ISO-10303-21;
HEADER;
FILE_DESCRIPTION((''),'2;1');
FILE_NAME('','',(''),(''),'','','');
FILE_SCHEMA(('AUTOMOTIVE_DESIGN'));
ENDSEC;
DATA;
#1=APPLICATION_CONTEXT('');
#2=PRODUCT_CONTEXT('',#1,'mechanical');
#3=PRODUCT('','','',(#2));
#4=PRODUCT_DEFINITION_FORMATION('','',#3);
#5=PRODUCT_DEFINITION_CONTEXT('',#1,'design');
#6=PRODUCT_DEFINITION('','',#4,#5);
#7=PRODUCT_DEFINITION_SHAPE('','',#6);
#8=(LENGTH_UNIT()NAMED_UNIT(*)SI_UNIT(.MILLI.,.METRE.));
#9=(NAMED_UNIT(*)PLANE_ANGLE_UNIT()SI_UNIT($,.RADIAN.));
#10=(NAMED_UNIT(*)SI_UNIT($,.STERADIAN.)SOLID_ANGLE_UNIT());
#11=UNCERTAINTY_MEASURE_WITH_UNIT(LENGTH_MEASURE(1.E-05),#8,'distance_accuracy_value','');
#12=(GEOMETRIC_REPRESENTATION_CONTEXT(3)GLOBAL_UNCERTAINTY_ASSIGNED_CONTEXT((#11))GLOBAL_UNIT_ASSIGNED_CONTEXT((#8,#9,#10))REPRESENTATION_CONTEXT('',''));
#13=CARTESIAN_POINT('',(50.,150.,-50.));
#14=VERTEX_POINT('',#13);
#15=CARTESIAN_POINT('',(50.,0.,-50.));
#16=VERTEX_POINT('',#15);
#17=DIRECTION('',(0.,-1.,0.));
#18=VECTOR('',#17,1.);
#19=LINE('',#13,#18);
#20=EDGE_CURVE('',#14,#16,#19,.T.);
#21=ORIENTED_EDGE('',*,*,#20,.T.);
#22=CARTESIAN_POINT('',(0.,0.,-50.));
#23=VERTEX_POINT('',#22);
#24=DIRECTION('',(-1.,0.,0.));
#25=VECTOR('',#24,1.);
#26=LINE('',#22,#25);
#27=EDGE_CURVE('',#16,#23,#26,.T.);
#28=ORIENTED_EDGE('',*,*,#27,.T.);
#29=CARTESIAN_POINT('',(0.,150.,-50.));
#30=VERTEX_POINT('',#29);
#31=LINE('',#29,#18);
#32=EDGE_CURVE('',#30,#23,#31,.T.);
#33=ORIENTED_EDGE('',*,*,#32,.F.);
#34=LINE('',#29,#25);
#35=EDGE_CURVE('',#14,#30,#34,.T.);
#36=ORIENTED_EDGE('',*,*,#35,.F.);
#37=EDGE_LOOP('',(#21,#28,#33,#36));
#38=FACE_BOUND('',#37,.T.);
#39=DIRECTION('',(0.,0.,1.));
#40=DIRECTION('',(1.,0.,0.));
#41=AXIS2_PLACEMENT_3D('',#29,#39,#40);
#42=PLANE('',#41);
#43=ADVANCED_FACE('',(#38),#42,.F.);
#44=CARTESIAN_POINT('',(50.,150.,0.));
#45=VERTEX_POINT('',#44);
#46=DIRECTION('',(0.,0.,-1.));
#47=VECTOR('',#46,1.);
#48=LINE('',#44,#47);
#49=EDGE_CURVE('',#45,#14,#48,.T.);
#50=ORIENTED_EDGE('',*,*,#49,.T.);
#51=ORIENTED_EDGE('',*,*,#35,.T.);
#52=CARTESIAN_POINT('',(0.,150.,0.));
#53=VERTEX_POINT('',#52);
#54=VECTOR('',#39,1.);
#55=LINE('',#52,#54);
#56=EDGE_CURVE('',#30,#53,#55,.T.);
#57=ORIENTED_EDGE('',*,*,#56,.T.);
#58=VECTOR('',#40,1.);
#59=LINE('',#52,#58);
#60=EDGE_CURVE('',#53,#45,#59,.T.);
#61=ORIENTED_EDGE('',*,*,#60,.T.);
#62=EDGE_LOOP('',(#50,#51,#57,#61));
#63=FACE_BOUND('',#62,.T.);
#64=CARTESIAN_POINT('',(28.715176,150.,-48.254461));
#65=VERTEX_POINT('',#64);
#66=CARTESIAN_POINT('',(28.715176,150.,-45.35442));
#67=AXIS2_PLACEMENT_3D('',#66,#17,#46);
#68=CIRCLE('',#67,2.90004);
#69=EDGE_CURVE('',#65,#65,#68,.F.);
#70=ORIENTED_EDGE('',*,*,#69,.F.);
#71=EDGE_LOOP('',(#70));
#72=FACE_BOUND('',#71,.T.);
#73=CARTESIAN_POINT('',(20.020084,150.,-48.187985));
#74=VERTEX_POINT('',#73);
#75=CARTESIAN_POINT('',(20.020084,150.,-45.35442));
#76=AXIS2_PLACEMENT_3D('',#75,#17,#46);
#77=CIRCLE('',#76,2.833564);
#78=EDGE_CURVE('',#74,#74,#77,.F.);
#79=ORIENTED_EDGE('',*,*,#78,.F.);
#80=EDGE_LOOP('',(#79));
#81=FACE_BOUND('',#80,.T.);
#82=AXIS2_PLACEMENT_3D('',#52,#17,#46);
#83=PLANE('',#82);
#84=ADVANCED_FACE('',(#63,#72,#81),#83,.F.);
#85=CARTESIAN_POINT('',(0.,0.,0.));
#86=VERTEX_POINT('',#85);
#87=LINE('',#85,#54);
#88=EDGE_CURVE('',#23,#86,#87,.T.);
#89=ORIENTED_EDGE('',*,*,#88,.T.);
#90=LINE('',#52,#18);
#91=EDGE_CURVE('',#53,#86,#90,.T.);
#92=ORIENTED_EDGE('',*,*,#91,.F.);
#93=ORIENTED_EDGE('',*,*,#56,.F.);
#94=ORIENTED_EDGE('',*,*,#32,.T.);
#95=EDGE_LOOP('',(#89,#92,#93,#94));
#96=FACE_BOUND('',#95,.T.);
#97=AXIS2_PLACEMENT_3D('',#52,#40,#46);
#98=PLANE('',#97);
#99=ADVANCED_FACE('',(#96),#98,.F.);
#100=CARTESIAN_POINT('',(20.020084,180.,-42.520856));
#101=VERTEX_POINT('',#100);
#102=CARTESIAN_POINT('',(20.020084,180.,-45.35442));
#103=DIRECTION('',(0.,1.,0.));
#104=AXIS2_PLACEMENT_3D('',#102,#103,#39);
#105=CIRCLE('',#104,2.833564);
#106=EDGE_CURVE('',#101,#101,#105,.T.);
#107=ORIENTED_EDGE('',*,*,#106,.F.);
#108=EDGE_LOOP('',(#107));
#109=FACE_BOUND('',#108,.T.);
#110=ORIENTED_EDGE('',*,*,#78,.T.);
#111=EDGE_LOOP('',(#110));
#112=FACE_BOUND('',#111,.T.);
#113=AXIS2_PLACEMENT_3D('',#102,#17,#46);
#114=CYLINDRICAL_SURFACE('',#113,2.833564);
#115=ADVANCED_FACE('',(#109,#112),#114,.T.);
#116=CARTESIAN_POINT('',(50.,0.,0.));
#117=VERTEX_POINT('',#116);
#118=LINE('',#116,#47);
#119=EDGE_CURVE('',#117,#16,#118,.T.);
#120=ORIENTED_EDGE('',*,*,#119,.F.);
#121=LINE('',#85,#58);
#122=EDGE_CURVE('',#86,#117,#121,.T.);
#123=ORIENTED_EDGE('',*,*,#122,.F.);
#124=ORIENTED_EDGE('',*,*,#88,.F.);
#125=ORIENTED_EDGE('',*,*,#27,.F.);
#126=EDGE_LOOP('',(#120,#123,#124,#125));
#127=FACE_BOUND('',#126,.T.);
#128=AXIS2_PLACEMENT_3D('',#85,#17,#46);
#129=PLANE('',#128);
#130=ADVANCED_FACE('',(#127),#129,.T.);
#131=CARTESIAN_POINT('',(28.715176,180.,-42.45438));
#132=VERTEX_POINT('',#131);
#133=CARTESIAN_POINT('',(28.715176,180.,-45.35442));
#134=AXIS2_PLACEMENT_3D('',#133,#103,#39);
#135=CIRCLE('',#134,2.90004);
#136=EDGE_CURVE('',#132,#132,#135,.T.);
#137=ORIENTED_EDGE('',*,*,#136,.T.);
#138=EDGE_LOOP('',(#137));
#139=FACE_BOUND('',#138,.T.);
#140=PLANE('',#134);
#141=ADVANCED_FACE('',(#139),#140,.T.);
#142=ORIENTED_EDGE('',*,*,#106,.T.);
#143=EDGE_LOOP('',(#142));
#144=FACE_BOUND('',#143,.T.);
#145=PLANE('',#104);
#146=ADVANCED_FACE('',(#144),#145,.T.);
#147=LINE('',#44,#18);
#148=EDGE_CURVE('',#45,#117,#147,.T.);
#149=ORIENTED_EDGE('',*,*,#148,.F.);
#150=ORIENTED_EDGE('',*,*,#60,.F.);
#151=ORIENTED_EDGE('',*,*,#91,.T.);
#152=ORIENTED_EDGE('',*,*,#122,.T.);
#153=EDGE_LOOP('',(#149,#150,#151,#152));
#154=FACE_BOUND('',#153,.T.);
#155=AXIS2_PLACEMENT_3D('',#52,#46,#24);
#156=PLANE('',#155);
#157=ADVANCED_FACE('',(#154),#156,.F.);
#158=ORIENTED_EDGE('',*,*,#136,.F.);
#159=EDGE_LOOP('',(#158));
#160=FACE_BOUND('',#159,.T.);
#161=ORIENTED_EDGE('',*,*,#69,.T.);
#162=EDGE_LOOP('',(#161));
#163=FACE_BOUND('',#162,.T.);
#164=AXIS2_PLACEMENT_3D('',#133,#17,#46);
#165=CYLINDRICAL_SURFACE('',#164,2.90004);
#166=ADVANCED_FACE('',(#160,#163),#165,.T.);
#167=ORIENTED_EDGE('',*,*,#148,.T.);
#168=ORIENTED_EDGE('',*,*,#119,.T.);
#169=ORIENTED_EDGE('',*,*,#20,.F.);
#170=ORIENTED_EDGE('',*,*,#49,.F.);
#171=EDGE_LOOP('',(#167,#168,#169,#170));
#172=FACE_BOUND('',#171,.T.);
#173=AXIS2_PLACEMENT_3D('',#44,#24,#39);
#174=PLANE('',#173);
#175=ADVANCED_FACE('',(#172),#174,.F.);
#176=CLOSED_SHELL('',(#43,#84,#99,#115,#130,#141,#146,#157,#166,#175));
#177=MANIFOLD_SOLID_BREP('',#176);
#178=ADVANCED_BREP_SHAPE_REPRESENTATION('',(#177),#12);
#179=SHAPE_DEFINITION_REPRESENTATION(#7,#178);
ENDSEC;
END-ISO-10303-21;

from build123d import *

# Parameters (mm, degrees)
SKETCH1_W           = 50
SKETCH1_H           = 50
BOSS_EXTRUDE1_DEPTH = 150
SKETCH2_R           = 2.833564276
SKETCH2_R_2         = 2.900040311
BOSS_EXTRUDE2_DEPTH = 30


with BuildPart() as part:
    # Sketch1 → Boss-Extrude1 (new body)
    with BuildSketch(Plane(origin=(0, 0, 0), x_dir=(1, 0, 0), z_dir=(0, 1, 0))):
        with Locations((25, 25)):
            Rectangle(SKETCH1_W, SKETCH1_H)
    extrude(amount=BOSS_EXTRUDE1_DEPTH)

    # Sketch2 → Boss-Extrude2 (add)
    with BuildSketch(Plane(origin=(0, 150, 0), x_dir=(1, 0, 0), z_dir=(0, 1, 0))):
        with Locations(Location((20.020083577, 45.354420301, 0), (0, 0, 90))):
            Circle(SKETCH2_R)
        with Locations(Location((28.715175744, 45.354420301, 0), (0, 0, 90))):
            Circle(SKETCH2_R_2)
    extrude(amount=BOSS_EXTRUDE2_DEPTH)


solid = part.part
